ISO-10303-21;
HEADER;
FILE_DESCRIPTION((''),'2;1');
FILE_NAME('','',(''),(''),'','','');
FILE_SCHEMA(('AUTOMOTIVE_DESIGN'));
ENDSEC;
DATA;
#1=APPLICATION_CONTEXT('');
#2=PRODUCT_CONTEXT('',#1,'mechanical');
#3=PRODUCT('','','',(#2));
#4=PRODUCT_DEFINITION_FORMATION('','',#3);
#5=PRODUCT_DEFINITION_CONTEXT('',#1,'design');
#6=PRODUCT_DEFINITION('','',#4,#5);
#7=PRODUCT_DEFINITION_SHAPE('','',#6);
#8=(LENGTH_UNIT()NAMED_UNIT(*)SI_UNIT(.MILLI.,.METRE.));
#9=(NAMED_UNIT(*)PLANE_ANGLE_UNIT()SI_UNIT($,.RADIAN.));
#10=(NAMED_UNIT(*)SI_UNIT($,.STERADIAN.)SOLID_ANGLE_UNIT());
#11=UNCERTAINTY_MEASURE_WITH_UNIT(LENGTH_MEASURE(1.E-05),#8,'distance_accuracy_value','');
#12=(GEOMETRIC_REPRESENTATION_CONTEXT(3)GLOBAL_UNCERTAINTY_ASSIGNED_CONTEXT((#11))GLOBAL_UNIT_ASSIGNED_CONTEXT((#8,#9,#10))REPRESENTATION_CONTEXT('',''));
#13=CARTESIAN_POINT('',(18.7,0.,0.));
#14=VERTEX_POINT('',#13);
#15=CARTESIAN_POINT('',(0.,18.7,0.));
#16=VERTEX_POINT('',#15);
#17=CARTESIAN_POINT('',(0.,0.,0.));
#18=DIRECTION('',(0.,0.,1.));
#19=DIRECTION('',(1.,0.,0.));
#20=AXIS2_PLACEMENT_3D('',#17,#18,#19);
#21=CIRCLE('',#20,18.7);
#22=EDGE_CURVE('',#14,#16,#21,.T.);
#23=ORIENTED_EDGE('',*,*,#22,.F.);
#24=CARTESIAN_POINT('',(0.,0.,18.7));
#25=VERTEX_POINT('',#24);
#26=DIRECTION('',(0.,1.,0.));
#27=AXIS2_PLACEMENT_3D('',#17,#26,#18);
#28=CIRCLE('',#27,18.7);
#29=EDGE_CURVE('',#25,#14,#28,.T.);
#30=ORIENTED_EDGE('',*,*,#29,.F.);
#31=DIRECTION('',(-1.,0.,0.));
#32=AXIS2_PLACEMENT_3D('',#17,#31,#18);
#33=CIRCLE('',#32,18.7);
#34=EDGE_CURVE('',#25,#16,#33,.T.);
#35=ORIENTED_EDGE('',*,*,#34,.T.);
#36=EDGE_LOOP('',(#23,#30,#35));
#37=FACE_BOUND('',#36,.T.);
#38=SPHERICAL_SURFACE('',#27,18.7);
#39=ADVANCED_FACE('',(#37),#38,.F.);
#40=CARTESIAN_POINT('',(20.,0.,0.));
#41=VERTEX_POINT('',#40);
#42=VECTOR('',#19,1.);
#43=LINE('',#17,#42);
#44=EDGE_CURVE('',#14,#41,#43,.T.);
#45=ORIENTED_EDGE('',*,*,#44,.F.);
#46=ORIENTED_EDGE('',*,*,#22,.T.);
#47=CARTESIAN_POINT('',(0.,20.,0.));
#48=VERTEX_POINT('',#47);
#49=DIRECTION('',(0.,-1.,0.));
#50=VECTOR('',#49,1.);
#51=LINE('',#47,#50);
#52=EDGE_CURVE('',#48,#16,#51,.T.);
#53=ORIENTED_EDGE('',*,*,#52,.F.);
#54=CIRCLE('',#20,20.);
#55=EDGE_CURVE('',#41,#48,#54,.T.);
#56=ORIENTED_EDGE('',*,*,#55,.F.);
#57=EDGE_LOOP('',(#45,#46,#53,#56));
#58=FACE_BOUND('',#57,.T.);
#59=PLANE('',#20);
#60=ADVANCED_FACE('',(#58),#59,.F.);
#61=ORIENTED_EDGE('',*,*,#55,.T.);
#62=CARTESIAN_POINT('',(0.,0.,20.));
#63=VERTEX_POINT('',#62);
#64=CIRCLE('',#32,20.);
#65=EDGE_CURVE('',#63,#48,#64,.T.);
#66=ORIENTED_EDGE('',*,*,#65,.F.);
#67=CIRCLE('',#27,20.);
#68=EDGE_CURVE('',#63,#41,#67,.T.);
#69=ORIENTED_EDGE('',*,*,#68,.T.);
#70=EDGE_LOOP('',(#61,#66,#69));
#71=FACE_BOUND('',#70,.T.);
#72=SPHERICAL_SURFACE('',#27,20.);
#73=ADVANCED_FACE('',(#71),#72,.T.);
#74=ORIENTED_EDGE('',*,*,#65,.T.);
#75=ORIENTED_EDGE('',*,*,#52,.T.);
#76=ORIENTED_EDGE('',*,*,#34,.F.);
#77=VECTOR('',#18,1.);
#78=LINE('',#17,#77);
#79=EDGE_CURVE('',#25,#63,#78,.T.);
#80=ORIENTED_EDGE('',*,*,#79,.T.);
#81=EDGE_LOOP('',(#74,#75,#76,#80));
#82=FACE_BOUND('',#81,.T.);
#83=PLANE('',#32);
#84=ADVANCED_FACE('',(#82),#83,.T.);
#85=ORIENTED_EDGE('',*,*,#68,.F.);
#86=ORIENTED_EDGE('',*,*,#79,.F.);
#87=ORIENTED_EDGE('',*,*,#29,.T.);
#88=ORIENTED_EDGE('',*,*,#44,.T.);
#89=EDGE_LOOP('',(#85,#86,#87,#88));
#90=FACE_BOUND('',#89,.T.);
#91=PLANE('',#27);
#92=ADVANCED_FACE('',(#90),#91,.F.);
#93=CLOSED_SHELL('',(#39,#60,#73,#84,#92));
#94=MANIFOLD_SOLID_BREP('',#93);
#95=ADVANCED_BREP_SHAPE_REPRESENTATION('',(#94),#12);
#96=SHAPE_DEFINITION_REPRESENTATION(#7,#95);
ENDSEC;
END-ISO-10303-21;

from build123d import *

# Parameters (mm, degrees)
REVOLVE_1_ANGLE = 90
SHELL_1_T       = -1.3


with BuildPart() as part:
    # 草图1 → 旋转1 (revolve)
    with BuildSketch(Plane.XY):
        with BuildLine():
            Line((0, 20), (0, 0))
            Line((0, 0), (20, 0))
            ThreePointArc((20, 0), (14.142135624, 14.142135624), (0, 20))
        make_face()
    revolve(axis=Axis((0, 20, 0), (0, -1, 0)), revolution_arc=REVOLVE_1_ANGLE)

    # 抽壳1
    shell_1_openings = [part.faces().sort_by_distance(p)[0] for p in [
        (0, 8.488263632, 8.488263632),
        (8.488263632, 8.488263632, 0),
        (8.488263632, 0, 8.488263632),
    ]]
    offset(amount=SHELL_1_T, openings=shell_1_openings)


solid = part.part
